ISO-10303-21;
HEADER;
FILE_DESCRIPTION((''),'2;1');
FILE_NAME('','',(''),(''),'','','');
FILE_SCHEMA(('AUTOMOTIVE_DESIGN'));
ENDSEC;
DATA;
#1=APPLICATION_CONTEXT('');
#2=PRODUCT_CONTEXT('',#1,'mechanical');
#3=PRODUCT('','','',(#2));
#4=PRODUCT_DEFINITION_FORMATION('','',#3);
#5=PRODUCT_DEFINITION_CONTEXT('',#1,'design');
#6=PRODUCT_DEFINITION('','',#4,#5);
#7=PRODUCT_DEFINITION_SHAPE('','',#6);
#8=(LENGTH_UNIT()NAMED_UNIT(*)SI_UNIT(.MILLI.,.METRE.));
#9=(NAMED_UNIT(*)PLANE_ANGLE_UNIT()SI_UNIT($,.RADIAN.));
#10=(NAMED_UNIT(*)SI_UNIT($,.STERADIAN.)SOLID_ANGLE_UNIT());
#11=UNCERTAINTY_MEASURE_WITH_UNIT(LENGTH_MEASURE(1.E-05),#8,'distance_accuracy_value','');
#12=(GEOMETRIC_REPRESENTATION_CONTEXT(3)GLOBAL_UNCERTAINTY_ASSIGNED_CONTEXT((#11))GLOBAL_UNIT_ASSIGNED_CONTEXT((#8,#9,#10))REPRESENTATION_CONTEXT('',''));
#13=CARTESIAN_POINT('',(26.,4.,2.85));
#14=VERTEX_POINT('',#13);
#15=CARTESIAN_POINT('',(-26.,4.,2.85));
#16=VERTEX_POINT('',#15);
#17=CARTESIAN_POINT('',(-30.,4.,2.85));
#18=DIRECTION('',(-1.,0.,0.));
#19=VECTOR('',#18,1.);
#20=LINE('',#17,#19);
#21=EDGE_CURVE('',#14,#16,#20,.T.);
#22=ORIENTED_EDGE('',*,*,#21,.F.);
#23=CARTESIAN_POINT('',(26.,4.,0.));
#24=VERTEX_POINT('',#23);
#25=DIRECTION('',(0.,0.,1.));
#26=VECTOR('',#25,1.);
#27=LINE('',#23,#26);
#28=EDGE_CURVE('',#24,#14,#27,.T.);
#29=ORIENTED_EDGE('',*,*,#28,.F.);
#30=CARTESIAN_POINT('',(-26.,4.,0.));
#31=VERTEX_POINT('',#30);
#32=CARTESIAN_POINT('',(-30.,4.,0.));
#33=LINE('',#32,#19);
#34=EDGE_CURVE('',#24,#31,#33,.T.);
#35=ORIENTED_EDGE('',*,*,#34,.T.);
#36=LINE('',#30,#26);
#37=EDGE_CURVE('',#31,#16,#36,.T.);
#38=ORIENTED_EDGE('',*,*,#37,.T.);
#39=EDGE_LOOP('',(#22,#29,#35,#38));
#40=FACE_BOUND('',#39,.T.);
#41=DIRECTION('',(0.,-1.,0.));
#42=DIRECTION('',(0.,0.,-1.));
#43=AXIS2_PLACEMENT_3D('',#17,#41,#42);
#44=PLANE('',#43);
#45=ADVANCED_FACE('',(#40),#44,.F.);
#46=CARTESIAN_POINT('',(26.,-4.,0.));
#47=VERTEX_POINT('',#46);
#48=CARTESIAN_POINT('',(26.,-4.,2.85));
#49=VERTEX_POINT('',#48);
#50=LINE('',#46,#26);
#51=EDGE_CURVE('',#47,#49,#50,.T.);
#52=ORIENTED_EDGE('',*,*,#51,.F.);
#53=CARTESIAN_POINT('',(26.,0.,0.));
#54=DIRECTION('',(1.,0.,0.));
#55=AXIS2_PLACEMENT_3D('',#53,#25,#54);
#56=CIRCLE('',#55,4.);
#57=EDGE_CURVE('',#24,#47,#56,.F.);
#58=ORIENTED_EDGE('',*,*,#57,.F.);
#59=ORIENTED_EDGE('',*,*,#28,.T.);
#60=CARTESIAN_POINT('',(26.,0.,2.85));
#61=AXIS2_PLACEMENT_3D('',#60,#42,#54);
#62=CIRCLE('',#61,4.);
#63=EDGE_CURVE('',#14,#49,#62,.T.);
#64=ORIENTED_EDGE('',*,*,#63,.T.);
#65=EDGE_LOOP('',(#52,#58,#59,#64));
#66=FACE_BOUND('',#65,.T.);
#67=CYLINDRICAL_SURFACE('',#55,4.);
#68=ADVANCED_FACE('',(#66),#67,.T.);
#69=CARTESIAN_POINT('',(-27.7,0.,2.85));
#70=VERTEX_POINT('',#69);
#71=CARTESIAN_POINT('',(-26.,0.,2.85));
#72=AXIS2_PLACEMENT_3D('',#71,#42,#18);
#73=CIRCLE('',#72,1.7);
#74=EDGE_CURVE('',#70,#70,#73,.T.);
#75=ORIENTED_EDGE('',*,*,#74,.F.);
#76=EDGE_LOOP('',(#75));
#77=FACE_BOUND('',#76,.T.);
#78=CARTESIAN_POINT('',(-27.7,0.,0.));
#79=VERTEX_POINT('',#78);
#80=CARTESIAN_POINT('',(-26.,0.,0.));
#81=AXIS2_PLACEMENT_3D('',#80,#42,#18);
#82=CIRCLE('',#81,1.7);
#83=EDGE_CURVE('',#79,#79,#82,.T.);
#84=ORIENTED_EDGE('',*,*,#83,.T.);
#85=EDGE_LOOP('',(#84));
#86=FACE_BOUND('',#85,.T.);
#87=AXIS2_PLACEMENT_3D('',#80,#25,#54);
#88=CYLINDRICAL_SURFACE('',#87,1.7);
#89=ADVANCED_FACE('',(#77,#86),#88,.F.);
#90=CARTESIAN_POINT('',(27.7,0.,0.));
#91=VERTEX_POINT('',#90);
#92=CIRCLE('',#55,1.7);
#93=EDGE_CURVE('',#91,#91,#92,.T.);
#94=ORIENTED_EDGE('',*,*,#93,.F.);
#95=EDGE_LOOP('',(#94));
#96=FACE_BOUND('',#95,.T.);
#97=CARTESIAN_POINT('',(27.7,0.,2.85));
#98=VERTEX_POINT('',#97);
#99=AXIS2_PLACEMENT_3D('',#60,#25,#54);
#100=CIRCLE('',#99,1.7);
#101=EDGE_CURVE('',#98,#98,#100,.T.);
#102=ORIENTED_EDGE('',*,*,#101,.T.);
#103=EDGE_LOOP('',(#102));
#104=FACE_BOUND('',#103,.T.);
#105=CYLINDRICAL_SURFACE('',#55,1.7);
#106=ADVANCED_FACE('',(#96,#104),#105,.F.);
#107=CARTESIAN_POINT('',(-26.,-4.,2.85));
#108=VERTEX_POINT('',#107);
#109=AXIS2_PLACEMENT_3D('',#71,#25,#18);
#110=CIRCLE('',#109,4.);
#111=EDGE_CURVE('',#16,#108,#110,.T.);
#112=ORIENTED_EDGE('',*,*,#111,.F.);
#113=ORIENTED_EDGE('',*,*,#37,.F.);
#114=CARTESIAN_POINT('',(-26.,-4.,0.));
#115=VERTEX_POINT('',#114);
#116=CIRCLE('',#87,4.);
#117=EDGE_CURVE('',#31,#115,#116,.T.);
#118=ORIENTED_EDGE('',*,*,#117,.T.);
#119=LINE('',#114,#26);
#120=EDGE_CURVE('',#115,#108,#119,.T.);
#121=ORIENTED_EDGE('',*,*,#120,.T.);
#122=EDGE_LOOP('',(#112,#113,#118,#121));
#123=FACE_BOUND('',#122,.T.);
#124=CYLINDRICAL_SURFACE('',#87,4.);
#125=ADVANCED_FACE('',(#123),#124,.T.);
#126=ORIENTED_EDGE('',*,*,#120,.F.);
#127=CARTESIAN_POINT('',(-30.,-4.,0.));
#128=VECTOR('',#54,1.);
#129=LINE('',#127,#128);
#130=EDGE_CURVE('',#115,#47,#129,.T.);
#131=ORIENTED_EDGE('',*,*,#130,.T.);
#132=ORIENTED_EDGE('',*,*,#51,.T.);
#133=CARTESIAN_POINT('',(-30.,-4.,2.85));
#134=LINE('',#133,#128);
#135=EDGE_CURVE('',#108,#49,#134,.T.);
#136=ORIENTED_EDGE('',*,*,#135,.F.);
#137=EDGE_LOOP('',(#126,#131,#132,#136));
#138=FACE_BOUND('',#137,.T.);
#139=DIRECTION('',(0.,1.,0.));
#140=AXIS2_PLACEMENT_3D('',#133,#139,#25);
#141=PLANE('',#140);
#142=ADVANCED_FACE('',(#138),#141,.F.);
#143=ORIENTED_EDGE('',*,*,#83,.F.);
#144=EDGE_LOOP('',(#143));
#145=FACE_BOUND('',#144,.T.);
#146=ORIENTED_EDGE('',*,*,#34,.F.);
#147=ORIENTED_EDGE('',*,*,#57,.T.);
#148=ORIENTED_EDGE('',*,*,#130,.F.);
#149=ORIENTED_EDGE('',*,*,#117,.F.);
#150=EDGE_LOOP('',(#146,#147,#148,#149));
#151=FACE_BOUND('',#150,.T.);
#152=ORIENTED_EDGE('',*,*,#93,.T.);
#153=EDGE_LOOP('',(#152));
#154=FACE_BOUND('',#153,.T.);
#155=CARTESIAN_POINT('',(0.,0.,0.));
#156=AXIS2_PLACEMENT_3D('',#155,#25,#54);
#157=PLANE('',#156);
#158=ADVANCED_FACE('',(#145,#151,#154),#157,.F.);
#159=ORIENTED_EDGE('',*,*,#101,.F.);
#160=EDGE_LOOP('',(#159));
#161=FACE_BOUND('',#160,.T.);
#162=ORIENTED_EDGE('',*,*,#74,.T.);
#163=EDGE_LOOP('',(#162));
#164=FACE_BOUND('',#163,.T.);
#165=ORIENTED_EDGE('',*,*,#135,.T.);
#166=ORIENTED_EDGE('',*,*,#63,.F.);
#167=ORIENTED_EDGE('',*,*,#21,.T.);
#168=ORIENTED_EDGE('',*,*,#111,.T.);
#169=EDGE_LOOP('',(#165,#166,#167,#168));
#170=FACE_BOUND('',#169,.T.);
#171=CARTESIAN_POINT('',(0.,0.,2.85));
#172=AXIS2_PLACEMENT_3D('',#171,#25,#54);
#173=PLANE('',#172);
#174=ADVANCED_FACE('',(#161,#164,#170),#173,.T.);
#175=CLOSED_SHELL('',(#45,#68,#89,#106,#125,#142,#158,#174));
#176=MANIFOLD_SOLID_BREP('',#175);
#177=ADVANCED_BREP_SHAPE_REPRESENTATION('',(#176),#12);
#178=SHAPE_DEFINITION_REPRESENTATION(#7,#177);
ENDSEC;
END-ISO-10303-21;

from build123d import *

# Parameters (mm, degrees)
SKETCH1_W           = 60
SKETCH1_H           = 8
BOSS_EXTRUDE1_DEPTH = 2.85
CUT_EXTRUDE1_DEPTH  = 31.399383217
SKETCH3_R           = 1.7
CUT_EXTRUDE2_DEPTH  = 31.399383217


with BuildPart() as part:
    # Sketch1 → Boss-Extrude1 (new body)
    with BuildSketch(Plane.XY):
        Rectangle(SKETCH1_W, SKETCH1_H)
    extrude(amount=BOSS_EXTRUDE1_DEPTH)

    # Sketch2 → Cut-Extrude1 (cut, through all)
    with BuildSketch(Plane.XY.offset(2.85)):
        with BuildLine():
            Line((26, -4), (31, -4))
            Line((31, -4), (31, 4))
            Line((31, 4), (26, 4))
            ThreePointArc((26, 4), (30, 0), (26, -4))
        make_face()
    cut_extrude1 = extrude(amount=-CUT_EXTRUDE1_DEPTH, mode=Mode.SUBTRACT)

    # Sketch3 → Cut-Extrude2 (cut, through all)
    with BuildSketch(Plane.XY.offset(2.85)):
        with Locations((26, 0)):
            Circle(SKETCH3_R)
    cut_extrude2 = extrude(amount=-CUT_EXTRUDE2_DEPTH, mode=Mode.SUBTRACT)

    # Mirror1: Cut-Extrude1, Cut-Extrude2 across plane
    add(cut_extrude1.mirror(Plane(origin=(0, 0, 0), x_dir=(0, 0, 1), z_dir=(1, 0, 0))), mode=Mode.SUBTRACT)
    add(cut_extrude2.mirror(Plane(origin=(0, 0, 0), x_dir=(0, 0, 1), z_dir=(1, 0, 0))), mode=Mode.SUBTRACT)


solid = part.part
